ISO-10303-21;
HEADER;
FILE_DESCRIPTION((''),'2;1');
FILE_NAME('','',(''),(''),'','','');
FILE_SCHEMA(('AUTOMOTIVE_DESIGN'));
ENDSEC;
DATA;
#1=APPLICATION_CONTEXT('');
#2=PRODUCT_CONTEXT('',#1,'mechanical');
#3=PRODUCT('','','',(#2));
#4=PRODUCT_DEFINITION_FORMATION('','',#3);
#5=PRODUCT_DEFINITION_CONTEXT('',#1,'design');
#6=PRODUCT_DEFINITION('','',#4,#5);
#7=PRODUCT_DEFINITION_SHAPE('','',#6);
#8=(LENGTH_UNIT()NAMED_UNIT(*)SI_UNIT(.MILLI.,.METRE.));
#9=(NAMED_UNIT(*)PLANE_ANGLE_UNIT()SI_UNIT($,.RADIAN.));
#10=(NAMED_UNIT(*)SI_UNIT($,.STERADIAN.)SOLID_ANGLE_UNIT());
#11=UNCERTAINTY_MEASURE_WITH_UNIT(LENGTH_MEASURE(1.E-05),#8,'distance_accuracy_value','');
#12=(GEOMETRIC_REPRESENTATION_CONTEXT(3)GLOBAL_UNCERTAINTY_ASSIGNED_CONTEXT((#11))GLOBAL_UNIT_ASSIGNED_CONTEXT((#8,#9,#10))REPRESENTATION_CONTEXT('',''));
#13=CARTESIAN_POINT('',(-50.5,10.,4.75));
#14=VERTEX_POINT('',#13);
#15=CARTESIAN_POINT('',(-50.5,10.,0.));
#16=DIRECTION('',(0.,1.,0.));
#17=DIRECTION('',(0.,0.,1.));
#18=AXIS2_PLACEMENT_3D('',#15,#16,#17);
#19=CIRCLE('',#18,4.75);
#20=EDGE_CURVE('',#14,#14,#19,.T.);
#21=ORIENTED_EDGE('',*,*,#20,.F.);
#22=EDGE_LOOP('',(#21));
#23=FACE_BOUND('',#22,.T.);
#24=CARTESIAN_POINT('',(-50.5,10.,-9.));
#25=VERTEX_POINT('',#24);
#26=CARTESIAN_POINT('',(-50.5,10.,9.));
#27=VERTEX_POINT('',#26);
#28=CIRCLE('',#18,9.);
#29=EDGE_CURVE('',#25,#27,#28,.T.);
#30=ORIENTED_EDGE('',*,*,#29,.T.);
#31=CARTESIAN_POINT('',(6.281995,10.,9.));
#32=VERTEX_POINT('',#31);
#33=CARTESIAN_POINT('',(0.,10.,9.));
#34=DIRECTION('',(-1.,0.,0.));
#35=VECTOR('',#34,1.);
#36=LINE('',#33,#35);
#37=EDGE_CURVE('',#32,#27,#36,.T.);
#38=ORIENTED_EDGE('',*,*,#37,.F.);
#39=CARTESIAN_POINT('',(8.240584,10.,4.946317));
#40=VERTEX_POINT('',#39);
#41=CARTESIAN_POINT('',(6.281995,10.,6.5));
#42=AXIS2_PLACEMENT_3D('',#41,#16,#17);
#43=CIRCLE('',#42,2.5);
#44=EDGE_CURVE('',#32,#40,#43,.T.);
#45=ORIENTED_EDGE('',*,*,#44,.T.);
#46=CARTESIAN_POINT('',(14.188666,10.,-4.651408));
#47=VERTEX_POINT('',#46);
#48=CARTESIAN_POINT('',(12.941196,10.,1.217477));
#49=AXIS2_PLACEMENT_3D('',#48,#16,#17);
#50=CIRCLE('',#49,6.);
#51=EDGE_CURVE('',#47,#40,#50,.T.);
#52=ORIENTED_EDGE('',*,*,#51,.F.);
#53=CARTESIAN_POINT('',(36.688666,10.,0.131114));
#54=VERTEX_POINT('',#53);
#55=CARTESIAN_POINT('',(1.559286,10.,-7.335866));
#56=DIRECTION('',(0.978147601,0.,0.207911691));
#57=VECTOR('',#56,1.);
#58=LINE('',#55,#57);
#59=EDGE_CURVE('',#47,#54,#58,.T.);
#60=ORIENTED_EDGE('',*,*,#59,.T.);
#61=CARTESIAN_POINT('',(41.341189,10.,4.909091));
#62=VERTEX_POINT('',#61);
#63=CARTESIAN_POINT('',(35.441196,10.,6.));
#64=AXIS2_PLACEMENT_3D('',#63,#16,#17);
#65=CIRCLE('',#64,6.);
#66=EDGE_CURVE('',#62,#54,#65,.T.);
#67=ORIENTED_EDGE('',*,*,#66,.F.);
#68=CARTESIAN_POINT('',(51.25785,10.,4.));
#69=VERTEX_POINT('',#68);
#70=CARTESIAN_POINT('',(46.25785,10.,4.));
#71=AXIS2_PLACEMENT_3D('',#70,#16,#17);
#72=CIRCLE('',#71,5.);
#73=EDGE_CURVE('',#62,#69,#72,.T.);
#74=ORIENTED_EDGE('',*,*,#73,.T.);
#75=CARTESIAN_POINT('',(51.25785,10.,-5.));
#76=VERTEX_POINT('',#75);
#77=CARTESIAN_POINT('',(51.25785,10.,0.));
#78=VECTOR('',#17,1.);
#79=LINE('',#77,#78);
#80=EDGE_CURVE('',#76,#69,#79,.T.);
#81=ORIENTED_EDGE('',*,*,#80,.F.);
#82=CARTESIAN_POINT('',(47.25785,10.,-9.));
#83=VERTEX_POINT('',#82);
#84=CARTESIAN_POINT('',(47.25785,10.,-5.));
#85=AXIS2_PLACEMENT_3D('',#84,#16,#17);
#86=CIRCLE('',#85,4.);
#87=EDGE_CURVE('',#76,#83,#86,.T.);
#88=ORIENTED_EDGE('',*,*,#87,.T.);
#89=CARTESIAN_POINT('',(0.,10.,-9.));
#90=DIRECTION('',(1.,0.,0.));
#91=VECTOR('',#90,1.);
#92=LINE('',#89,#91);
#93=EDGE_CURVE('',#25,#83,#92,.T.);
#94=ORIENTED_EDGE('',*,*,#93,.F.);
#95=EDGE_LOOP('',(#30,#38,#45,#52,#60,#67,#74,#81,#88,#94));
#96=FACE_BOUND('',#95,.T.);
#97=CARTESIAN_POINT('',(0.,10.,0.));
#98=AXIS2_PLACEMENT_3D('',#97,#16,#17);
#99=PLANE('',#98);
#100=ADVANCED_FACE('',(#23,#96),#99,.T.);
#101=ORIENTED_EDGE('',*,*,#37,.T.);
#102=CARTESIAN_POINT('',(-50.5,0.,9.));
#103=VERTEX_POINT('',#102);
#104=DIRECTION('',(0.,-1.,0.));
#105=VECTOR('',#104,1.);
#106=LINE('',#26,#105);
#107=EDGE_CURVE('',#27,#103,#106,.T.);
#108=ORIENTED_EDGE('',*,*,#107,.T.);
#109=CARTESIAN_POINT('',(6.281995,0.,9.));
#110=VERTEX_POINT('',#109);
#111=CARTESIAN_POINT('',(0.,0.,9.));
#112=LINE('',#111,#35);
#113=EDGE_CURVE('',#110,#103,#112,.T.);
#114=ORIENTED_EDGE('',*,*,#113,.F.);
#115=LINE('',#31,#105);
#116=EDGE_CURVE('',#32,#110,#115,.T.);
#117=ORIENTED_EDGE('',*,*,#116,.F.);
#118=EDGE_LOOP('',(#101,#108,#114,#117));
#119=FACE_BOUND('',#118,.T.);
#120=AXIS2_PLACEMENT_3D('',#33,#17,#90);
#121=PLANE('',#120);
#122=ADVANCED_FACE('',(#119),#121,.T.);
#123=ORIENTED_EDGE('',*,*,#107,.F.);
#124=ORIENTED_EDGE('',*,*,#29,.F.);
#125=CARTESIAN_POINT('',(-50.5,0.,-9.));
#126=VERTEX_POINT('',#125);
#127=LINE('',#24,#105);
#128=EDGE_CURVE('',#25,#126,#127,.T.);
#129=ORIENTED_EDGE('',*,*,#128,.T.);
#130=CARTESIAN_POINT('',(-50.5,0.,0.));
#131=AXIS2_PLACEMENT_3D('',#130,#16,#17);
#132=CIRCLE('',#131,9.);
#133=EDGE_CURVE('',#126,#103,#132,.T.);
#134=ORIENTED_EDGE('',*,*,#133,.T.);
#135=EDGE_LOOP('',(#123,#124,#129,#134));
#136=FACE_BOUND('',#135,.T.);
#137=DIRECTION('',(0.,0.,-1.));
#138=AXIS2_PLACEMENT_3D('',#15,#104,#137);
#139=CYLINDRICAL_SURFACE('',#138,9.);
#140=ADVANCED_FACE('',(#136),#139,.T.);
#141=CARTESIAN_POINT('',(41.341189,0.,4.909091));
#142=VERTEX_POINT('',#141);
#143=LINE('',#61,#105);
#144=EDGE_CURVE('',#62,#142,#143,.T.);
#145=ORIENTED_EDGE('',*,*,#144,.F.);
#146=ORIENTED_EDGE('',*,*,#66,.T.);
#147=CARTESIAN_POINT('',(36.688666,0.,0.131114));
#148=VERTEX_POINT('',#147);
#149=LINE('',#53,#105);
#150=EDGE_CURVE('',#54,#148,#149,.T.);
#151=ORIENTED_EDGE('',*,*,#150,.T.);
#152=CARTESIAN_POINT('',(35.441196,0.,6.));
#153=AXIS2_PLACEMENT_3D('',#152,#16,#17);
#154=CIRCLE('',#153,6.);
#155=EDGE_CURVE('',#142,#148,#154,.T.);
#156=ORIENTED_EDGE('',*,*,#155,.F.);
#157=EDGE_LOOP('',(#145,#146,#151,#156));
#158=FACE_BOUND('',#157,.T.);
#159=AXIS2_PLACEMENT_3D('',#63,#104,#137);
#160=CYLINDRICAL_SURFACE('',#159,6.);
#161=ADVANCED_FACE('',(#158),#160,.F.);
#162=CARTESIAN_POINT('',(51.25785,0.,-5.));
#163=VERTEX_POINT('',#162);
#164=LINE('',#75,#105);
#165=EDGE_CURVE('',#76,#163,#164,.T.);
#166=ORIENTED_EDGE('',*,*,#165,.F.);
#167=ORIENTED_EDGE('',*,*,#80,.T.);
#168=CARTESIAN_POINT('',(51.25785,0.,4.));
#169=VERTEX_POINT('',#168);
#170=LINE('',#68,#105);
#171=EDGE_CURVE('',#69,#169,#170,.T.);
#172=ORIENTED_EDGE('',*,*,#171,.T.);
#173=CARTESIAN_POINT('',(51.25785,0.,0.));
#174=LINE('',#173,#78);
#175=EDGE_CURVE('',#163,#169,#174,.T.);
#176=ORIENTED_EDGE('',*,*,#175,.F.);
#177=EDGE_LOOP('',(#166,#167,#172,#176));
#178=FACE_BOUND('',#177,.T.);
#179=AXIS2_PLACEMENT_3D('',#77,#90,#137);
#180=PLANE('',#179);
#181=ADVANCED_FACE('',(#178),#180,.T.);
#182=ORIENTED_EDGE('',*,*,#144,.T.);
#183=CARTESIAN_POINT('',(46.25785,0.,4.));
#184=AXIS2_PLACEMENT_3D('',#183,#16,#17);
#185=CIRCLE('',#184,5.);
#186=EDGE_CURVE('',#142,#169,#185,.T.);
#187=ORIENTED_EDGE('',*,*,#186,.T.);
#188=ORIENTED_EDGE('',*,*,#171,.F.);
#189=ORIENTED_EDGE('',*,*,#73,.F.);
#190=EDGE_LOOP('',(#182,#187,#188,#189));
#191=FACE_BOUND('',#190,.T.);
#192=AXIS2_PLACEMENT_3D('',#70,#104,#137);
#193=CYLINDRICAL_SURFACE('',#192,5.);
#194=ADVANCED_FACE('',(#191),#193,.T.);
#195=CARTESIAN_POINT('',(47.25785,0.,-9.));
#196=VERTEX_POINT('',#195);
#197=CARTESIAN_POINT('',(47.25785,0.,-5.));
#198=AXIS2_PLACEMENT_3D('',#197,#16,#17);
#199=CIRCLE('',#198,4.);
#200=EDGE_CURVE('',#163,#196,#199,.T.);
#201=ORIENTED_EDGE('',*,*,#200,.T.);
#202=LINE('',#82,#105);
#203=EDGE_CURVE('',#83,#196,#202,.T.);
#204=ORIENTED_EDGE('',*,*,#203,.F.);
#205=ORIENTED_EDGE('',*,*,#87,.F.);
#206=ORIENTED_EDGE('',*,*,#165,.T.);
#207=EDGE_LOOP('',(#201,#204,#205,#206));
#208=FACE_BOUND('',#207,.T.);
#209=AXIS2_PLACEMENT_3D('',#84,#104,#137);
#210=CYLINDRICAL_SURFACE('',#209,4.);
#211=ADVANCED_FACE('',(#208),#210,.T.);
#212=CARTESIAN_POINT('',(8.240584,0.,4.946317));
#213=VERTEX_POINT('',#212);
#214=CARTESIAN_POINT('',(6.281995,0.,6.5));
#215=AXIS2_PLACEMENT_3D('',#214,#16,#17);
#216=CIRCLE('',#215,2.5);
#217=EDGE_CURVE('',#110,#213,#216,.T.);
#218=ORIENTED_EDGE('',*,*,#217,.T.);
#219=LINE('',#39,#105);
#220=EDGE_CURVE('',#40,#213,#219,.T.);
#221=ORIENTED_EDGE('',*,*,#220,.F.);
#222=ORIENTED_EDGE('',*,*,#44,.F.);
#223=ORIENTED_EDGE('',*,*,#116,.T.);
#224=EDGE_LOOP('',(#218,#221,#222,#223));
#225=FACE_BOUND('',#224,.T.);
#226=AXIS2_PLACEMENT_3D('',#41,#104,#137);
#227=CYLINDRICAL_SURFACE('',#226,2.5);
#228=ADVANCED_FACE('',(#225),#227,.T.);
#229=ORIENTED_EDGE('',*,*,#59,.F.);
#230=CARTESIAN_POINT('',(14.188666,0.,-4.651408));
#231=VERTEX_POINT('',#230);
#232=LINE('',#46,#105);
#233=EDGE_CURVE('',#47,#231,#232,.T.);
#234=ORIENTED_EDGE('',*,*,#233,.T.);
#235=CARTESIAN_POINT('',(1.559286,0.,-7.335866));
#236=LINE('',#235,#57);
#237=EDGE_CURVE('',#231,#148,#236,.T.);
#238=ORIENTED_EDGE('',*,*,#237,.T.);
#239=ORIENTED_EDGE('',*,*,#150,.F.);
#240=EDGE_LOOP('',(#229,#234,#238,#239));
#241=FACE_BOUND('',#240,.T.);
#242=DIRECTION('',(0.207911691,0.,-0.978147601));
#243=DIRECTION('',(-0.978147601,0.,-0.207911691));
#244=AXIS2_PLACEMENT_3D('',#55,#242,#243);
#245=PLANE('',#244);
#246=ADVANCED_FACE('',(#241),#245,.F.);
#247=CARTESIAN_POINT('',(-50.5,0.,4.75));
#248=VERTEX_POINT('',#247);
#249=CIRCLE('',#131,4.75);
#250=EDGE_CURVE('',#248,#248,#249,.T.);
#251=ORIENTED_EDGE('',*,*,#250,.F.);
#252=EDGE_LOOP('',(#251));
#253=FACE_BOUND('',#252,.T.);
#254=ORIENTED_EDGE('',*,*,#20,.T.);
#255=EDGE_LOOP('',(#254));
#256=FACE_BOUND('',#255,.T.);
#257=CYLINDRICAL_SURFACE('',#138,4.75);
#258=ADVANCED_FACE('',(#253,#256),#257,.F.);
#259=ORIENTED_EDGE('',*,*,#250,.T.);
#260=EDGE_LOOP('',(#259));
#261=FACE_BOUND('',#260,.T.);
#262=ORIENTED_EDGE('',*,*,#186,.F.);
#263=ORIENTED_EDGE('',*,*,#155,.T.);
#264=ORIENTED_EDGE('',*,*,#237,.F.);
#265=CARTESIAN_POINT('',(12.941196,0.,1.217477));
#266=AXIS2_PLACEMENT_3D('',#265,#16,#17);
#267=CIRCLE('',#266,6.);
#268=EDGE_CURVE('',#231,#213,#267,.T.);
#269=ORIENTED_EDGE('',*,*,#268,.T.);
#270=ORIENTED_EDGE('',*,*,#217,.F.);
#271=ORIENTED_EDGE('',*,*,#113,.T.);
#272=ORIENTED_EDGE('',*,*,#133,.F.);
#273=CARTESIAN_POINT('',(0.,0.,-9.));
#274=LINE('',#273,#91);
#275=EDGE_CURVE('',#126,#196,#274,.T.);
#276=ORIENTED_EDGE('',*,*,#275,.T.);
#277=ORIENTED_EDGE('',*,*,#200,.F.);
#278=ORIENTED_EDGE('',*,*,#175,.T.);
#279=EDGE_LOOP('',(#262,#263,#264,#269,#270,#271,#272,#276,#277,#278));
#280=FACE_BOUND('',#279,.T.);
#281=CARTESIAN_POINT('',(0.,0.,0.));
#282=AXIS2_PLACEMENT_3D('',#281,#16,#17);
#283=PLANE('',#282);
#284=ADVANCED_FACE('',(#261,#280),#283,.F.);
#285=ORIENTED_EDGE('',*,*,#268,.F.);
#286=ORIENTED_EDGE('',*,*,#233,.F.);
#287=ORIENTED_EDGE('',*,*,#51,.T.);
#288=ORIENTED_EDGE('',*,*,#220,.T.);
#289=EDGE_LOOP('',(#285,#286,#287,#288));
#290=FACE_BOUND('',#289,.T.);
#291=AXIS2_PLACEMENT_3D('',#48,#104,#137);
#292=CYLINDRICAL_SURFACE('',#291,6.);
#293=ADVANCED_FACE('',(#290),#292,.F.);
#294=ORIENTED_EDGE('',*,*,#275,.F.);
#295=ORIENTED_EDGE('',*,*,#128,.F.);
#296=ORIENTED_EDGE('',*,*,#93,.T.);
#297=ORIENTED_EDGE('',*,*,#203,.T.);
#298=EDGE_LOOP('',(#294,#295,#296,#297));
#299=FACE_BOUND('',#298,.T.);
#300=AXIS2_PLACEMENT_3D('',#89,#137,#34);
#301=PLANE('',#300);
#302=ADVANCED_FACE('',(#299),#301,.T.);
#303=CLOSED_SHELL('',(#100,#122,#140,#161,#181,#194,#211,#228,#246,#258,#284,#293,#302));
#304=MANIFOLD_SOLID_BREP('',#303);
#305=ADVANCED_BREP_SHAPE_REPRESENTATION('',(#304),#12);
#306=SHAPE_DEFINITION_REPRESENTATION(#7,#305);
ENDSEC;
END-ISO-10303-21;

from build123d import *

# Parameters (mm, degrees)
SKETCH1_R           = 4.75
BOSS_EXTRUDE1_DEPTH = 10


with BuildPart() as part:
    # Sketch1 → Boss-Extrude1 (new body)
    with BuildSketch(Plane(origin=(0, 0, 0), x_dir=(1, 0, 0), z_dir=(0, 1, 0))):
        with BuildLine():
            Line((47.257849632, 9), (-50.5, 9))
            ThreePointArc((-50.5, 9), (-59.5, 0), (-50.5, -9))
            Line((-50.5, -9), (6.281995059, -9))
            ThreePointArc((6.281995059, -9), (8.533017918, -7.587610265), (8.240583514, -4.946316871))
            ThreePointArc((8.240583514, -4.946316871), (7.841183108, 1.943198276), (14.18866595, 4.651408242))
            Line((14.18866595, 4.651408242), (36.68866595, -0.131114396))
            ThreePointArc((36.68866595, -0.131114396), (39.739895868, -1.814169405), (41.341188802, -4.909090909))
            ThreePointArc((41.341188802, -4.909090909), (43.059838886, -7.843530574), (46.257849632, -9))
            ThreePointArc((46.257849632, -9), (49.793383538, -7.535533906), (51.257849632, -4))
            Line((51.257849632, -4), (51.257849632, 5))
            ThreePointArc((51.257849632, 5), (50.086276756, 7.828427125), (47.257849632, 9))
        make_face()
        with Locations(Location((-50.5, 0, 0), (0, 0, 270))):
            Circle(SKETCH1_R, mode=Mode.SUBTRACT)
    extrude(amount=BOSS_EXTRUDE1_DEPTH)


solid = part.part
